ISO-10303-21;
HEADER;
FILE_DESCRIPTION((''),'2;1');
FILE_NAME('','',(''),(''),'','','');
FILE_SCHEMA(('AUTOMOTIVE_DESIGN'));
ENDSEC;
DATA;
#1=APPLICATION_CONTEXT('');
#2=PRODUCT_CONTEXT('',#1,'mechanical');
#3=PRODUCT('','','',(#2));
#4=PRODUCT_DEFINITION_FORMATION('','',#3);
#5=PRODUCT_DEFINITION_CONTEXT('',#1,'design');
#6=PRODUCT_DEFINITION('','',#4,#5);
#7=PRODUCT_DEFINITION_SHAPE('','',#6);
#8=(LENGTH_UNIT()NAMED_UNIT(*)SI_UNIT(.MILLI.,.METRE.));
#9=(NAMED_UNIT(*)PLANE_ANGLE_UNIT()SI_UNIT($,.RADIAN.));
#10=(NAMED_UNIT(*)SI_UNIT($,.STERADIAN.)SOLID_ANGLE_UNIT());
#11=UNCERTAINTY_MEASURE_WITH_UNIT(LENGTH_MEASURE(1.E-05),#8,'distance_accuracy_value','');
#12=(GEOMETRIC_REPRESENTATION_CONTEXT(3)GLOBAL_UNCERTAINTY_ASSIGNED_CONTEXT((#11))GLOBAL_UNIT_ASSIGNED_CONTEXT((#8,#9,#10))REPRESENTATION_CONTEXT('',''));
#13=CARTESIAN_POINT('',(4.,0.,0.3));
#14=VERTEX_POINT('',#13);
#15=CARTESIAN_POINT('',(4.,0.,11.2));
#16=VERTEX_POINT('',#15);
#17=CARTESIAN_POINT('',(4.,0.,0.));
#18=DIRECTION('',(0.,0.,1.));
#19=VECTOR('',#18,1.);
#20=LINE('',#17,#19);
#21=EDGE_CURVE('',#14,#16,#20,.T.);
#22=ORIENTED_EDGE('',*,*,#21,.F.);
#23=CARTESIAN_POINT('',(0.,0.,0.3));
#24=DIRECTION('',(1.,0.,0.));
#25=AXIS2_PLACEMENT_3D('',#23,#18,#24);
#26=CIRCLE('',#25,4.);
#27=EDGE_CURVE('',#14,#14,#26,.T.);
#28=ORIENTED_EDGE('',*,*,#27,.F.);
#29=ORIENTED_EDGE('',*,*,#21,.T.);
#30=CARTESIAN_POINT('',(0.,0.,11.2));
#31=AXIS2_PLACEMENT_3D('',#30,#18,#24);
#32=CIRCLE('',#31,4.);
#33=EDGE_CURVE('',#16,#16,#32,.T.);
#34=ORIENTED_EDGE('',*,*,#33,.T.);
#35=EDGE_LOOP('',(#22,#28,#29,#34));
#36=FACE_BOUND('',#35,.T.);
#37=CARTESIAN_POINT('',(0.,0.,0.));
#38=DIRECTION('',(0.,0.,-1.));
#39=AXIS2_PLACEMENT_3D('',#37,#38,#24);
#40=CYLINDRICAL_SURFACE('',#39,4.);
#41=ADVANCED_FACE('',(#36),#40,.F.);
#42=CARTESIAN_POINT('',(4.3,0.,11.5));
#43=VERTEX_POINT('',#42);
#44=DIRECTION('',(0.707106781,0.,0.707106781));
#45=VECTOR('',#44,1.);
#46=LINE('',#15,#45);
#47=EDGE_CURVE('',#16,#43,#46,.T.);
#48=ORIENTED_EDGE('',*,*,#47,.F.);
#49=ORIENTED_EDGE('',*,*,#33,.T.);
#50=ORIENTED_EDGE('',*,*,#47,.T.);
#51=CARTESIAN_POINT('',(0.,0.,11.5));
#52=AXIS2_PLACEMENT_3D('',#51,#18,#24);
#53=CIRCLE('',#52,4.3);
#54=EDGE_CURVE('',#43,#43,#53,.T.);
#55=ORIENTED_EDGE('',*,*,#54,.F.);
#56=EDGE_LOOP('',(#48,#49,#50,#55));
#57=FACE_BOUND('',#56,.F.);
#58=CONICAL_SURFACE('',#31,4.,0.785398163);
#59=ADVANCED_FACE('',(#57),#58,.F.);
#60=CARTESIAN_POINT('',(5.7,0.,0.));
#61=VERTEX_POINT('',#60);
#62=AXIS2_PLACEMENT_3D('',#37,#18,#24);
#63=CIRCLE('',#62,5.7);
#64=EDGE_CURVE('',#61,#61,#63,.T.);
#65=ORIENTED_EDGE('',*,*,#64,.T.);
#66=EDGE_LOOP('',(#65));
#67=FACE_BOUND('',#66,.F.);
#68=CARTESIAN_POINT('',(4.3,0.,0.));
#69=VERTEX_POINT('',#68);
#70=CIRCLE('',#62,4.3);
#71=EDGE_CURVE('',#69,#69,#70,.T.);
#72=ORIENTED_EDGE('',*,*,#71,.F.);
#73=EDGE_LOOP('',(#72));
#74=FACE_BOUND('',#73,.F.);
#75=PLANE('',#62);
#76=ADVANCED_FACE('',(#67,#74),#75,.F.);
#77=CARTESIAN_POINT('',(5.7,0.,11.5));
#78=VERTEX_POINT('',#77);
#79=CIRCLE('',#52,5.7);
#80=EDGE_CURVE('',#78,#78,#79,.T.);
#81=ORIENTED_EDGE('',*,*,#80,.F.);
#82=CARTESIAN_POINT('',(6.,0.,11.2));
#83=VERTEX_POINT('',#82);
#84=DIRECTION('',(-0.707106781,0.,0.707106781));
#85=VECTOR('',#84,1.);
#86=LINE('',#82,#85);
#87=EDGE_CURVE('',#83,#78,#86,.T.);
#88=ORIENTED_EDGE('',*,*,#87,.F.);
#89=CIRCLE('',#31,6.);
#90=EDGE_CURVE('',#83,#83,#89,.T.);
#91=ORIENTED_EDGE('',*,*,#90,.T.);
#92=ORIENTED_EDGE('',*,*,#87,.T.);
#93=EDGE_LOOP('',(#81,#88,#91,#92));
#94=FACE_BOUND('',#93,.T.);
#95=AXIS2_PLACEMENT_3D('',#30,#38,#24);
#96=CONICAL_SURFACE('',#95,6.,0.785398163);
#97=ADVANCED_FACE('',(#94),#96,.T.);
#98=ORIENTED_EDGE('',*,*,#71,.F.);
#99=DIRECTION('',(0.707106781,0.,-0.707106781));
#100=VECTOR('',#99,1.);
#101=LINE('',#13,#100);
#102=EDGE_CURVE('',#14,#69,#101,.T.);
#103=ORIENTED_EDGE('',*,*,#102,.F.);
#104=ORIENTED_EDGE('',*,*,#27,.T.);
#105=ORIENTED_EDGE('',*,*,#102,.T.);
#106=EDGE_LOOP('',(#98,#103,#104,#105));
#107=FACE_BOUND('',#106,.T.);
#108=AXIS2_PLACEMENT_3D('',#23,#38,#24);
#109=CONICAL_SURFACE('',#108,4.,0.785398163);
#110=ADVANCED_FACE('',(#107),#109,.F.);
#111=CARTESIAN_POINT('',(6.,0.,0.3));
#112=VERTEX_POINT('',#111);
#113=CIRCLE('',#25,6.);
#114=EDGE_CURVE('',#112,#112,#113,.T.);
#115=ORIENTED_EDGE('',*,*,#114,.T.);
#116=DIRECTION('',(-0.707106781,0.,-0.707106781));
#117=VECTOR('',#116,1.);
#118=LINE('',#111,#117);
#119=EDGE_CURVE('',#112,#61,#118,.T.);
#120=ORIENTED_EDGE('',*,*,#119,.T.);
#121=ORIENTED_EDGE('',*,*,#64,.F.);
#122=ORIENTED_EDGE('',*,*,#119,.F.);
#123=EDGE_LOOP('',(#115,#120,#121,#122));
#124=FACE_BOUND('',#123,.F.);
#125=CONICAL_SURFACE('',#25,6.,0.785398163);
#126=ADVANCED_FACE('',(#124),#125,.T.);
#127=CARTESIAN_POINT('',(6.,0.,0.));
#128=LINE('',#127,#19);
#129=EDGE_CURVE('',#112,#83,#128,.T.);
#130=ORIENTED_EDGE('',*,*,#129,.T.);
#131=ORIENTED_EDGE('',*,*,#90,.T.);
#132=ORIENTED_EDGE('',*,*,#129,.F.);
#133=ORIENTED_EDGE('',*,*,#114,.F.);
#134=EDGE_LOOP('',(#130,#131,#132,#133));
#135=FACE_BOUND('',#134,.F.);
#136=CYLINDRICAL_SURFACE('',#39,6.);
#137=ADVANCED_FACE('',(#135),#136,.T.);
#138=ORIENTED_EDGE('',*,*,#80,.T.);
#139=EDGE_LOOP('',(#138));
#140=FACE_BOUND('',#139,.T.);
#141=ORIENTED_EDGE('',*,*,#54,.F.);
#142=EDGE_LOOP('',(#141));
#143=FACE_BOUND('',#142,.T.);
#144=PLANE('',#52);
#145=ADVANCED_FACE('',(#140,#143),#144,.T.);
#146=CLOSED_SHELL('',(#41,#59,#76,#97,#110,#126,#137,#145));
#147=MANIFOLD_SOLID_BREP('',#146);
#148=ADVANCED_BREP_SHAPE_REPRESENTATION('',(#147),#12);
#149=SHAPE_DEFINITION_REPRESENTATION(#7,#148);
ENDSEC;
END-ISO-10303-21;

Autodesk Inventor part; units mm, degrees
ref_plane "YZ Plane" through (0, 0, 0) normal (1, 0, 0) x (0, 1, 0)
ref_plane "XZ Plane" through (0, 0, 0) normal (0, 1, 0) x (-1, 0, 0)
ref_plane "XY Plane" through (0, 0, 0) normal (0, 0, 1) x (1, 0, 0)
sketch "Skizze1" plane through (0, 0, 0) normal (0, 0, 1) x (1, 0, 0)
  circle A0 centre (0, 0) radius 4
  circle A1 centre (0, 0) radius 6
  dimension "d0" = 8
  dimension "d1" = 12
extrude "Extrusion1" add sketch "Skizze1" along normal blind 11.5
chamfer "Fase1" distance 0.3 angle 45 4 edges at (-6, 0, 11.5) (-4, 0, 11.5) (-4, 0, 0) (-6, 0, 0)
properties part number "Huelse" material "Edelstahl"
